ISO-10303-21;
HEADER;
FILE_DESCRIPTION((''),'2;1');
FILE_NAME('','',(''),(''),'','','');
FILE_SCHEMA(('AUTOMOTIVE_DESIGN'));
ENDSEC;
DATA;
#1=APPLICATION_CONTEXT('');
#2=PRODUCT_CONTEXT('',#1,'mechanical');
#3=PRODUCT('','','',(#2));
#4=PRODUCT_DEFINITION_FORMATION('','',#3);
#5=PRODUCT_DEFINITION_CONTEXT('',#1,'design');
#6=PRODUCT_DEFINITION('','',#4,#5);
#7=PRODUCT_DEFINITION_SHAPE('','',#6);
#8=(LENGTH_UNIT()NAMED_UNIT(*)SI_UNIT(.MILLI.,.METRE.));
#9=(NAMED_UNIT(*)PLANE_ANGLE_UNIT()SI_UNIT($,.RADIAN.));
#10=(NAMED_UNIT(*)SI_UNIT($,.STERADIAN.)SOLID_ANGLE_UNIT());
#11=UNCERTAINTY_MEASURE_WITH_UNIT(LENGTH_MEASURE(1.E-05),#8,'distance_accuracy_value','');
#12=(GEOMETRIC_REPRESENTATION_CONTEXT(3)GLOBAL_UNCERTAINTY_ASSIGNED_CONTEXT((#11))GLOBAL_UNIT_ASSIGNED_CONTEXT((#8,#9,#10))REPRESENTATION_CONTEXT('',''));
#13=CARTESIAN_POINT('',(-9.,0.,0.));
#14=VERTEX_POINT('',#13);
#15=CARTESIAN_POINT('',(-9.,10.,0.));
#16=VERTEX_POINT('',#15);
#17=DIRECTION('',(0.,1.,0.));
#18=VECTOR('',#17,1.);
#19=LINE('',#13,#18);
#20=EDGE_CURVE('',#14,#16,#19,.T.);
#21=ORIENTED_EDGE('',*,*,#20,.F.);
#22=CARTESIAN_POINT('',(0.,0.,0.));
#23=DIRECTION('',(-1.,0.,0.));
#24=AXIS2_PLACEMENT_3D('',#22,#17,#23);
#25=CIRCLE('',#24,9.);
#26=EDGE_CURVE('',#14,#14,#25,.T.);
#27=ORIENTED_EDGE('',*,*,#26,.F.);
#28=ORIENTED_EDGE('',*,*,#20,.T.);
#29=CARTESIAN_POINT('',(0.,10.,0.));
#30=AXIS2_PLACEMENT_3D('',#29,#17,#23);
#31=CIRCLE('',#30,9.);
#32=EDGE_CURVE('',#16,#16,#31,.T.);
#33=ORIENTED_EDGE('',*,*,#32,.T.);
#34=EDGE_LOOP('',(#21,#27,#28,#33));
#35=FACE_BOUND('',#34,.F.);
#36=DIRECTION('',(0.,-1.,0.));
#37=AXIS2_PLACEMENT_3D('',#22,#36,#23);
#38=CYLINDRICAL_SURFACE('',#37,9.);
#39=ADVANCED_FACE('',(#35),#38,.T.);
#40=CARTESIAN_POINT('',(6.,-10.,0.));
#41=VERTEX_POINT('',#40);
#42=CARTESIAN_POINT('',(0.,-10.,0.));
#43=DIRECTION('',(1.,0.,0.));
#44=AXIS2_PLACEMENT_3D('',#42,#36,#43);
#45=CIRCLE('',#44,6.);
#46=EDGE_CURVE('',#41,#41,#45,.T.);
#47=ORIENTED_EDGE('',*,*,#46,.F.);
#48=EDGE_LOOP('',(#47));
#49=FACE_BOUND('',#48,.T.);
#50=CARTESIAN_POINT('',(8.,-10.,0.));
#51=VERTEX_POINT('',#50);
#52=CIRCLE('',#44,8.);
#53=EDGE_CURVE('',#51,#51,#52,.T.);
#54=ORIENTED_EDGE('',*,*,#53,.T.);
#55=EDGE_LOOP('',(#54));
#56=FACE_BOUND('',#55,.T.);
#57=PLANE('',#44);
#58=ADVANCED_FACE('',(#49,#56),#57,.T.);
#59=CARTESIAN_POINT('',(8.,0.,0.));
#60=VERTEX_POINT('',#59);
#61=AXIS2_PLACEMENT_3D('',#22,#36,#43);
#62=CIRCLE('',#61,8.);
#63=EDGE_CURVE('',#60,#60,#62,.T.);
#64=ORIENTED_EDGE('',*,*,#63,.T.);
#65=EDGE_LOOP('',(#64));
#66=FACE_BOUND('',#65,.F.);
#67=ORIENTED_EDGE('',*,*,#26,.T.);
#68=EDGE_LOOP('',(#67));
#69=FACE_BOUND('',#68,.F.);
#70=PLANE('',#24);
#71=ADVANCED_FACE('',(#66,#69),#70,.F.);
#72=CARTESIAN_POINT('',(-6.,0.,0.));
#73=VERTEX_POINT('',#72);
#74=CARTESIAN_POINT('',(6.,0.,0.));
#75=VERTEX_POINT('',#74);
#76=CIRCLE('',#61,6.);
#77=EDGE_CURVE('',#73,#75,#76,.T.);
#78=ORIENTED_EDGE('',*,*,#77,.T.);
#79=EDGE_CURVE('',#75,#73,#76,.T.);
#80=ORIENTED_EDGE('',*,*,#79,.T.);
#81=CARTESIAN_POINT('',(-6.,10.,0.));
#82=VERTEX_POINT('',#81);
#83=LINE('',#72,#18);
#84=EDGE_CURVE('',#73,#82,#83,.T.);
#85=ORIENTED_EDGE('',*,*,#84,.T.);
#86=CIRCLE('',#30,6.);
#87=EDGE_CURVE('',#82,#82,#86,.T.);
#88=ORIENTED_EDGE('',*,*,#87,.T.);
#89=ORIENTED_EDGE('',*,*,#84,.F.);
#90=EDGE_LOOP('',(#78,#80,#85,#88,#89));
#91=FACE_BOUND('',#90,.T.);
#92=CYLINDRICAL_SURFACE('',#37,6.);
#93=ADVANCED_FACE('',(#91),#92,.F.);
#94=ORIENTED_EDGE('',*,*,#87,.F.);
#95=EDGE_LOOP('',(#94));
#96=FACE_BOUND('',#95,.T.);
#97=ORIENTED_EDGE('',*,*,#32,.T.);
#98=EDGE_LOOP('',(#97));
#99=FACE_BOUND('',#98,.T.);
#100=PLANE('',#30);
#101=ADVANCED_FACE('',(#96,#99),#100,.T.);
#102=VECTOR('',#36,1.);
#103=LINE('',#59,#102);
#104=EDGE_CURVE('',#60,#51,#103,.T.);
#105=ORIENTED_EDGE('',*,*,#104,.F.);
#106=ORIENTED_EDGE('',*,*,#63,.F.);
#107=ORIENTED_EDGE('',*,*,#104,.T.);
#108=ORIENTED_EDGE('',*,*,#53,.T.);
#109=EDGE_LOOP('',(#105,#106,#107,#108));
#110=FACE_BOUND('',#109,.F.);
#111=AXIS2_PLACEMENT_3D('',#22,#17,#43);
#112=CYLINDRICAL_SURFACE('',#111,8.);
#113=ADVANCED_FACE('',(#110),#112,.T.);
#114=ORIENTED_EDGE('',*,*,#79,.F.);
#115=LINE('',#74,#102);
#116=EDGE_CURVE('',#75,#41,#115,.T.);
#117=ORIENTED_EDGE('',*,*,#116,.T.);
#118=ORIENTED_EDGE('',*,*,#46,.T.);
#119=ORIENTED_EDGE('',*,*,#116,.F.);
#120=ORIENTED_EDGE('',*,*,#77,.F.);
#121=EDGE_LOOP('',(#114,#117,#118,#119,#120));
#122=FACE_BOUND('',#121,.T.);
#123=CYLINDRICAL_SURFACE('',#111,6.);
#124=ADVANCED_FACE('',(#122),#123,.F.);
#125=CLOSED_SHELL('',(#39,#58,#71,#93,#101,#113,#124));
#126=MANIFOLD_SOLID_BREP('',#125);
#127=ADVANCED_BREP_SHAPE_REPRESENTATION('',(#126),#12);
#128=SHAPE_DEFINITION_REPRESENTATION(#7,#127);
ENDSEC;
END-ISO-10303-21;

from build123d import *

# Parameters (mm, degrees)
F0_R     = 8
F0_R_2   = 6
F1_DEPTH = 10
F2_R     = 9
F2_R_2   = 6
F3_DEPTH = 10


with BuildPart() as f1:
    # F0 (on Front) → F1 (new body)
    with BuildSketch(Plane.XZ):
        Circle(F0_R)
        Circle(F0_R_2, mode=Mode.SUBTRACT)
    extrude(amount=F1_DEPTH)

    # F2 (on face) → F3 (join)
    with BuildSketch(Plane(origin=(0, 0, 0), x_dir=(-1, 0, 0), z_dir=(0, 1, 0))):
        Circle(F2_R)
        Circle(F2_R_2, mode=Mode.SUBTRACT)
    extrude(amount=F3_DEPTH)


solid = f1.part
